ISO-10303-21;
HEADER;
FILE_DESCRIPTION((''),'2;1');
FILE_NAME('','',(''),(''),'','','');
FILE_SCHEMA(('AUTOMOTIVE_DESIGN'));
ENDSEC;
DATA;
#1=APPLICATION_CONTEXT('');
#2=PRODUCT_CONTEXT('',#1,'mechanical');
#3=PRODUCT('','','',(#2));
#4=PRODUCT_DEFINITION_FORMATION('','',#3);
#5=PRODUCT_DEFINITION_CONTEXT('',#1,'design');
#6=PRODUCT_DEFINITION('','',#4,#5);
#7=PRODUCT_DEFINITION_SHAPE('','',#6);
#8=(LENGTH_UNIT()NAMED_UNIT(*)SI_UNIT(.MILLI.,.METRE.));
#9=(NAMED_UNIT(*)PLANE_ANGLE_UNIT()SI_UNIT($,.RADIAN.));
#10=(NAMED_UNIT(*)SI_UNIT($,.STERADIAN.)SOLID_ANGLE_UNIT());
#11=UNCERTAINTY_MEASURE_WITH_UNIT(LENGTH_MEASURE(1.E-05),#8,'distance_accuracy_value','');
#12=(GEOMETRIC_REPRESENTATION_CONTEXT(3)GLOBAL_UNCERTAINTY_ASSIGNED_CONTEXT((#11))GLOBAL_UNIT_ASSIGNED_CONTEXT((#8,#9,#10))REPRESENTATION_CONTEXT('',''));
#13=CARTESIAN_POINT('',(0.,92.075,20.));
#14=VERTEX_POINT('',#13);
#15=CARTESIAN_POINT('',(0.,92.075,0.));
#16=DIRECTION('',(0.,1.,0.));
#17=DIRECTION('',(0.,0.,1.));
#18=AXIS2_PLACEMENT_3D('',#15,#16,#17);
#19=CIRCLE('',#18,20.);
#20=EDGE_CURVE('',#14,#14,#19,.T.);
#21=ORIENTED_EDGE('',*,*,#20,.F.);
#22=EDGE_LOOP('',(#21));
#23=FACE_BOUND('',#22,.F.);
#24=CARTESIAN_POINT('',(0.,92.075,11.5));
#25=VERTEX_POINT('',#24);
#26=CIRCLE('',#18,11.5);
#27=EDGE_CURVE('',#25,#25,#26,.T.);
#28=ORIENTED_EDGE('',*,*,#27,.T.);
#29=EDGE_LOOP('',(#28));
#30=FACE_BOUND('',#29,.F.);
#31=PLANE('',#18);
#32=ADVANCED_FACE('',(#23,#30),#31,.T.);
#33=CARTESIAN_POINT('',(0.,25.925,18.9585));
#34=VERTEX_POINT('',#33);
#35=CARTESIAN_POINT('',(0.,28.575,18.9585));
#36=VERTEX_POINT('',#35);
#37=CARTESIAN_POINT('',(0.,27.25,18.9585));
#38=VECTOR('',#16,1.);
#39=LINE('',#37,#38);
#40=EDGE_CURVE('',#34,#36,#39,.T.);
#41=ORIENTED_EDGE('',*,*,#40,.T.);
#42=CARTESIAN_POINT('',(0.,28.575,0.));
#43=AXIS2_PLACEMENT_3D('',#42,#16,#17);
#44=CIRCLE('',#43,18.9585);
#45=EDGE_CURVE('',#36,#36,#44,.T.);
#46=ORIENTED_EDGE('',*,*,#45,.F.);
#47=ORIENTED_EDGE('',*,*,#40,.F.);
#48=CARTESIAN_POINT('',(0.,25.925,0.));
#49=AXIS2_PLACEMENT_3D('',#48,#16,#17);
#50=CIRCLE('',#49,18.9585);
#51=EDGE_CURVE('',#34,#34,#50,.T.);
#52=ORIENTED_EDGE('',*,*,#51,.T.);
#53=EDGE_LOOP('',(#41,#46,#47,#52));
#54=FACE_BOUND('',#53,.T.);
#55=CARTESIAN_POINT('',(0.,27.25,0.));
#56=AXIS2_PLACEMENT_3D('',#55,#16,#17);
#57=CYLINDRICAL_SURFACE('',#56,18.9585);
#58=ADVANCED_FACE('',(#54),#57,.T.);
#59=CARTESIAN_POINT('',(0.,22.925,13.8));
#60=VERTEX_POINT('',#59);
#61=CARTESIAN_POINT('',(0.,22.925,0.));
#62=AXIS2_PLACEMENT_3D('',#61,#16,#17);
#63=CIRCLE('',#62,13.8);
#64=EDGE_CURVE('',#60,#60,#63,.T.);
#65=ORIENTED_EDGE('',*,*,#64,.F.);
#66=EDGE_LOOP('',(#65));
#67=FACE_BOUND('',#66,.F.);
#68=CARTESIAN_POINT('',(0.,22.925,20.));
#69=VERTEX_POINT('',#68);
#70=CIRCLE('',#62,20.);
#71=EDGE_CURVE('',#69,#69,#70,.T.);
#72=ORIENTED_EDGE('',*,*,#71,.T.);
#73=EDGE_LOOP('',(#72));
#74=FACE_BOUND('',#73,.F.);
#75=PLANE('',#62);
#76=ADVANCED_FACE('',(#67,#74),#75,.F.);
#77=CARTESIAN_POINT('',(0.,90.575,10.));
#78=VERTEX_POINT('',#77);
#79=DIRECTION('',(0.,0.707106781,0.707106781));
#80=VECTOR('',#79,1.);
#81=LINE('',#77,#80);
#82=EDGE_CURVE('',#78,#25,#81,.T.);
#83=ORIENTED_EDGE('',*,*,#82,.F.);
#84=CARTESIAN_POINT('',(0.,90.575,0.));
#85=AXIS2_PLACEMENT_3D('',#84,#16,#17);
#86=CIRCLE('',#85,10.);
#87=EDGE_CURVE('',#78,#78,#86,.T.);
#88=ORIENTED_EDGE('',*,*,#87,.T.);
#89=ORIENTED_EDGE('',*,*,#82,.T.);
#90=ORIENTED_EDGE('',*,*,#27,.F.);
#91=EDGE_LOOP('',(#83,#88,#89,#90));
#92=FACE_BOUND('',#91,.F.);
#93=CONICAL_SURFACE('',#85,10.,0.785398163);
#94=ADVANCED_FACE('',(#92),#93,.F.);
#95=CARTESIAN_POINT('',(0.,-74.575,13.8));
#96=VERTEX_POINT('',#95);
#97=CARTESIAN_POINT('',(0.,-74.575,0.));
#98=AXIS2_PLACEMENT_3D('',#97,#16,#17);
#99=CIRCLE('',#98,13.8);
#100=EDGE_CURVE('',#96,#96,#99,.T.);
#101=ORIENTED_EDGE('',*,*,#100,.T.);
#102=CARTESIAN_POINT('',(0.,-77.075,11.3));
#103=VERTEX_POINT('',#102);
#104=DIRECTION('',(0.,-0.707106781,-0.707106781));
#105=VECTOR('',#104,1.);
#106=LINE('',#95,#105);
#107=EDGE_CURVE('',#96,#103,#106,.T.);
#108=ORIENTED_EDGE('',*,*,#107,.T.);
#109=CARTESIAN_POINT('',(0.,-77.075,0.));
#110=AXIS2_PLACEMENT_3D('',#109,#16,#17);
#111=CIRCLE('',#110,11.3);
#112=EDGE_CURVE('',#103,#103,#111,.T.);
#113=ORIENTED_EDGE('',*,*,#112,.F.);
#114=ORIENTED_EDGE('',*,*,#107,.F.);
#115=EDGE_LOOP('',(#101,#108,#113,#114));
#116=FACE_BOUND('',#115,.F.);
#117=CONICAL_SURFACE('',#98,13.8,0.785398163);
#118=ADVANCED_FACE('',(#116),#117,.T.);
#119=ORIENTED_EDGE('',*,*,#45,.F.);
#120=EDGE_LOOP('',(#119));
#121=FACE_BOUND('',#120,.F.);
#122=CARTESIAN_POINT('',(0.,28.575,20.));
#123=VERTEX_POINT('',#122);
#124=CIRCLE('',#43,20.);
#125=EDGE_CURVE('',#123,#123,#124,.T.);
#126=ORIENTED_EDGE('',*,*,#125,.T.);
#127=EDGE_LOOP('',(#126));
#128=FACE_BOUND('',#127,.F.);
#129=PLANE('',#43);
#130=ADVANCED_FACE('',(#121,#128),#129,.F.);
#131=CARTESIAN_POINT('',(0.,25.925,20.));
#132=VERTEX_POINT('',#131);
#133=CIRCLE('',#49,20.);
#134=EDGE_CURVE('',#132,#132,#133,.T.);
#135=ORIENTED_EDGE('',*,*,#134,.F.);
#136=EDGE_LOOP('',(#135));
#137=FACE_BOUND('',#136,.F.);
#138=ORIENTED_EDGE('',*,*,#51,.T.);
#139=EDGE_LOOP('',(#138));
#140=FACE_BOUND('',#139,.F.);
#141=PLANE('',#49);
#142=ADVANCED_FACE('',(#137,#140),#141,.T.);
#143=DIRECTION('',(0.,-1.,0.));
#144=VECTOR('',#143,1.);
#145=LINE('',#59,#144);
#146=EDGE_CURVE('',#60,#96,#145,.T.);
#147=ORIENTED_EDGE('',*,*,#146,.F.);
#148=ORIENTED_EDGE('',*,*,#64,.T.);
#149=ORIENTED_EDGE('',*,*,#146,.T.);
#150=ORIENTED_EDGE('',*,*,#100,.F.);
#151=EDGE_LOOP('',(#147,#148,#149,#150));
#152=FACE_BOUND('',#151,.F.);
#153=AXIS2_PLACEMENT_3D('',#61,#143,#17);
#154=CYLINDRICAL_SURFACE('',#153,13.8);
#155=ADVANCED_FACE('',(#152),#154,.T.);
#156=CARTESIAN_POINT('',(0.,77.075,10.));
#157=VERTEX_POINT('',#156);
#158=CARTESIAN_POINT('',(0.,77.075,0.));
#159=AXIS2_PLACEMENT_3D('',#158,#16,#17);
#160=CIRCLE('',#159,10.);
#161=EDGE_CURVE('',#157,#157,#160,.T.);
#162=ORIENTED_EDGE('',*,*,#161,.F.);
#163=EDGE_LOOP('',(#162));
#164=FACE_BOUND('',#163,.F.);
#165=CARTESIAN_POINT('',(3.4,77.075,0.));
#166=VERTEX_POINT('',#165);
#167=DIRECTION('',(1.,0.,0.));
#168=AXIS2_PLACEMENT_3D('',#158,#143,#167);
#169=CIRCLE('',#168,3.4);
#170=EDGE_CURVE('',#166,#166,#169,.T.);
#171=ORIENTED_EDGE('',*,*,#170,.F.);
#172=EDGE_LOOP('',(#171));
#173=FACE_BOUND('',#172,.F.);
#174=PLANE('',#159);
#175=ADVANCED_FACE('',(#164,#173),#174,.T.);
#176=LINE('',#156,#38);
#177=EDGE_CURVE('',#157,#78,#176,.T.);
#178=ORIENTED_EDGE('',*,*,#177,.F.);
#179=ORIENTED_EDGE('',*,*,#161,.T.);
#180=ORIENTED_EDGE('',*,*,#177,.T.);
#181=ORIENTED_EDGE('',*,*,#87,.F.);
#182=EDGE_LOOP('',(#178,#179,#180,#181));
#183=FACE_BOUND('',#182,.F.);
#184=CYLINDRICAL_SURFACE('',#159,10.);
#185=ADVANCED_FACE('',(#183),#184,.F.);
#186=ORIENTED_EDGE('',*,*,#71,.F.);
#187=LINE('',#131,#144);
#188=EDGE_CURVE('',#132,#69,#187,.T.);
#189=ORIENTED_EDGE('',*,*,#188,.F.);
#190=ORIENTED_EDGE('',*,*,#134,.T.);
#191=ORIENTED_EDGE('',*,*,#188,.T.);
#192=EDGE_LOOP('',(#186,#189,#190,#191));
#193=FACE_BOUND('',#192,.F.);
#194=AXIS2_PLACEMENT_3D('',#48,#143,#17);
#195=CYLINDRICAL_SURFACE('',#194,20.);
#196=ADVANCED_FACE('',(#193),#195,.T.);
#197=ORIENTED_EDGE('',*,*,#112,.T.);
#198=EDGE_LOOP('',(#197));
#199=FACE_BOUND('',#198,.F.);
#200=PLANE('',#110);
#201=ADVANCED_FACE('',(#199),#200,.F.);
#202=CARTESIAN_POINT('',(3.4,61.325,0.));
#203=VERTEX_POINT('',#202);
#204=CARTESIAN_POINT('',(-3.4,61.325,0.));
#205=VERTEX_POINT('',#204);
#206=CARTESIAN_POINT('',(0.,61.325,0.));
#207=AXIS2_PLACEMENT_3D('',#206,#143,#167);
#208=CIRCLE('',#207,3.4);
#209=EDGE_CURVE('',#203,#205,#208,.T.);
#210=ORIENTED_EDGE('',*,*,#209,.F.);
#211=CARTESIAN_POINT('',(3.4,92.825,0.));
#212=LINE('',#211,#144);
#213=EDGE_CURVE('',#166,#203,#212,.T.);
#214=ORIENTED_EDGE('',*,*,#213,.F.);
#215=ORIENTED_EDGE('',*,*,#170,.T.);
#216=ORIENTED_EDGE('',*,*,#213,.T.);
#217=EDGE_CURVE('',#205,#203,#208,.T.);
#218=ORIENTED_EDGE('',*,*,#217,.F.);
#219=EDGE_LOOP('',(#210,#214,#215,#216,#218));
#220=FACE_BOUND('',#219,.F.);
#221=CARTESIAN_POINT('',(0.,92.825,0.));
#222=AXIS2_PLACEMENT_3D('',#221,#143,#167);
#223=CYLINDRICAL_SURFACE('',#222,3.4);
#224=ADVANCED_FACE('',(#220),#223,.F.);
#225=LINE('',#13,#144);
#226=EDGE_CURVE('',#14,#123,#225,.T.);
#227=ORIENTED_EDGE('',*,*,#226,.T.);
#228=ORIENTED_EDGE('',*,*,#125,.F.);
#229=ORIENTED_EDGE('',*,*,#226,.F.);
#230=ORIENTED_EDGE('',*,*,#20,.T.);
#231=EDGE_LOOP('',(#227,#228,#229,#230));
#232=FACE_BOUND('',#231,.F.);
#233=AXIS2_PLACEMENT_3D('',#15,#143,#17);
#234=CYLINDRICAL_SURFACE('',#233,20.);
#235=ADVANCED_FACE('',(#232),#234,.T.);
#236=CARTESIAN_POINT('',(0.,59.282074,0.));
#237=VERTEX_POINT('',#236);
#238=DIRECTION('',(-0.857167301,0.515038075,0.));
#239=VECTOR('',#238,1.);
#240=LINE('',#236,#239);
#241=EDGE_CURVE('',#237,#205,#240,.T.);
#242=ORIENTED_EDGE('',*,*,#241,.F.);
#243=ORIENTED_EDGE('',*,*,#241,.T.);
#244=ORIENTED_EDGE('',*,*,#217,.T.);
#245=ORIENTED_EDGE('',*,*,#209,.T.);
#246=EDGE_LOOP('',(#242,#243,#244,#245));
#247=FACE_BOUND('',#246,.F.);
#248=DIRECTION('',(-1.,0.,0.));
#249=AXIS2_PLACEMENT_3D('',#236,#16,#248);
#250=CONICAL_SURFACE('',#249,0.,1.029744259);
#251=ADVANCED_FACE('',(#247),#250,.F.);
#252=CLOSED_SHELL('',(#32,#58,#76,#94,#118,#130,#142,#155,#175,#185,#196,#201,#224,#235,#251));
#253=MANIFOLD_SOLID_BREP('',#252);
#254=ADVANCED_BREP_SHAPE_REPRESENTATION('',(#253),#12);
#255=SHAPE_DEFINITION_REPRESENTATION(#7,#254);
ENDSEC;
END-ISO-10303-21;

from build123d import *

# Parameters (mm, degrees)
F0_W     = 2.65
F0_H     = 18.9585
F2_SIZE2 = 1.5
F2_SIZE  = 1.5
F4_D     = 6.8
F4_DEPTH = 15.75
F4_TIP   = 2.0429261047
F5_SIZE2 = 2.5
F5_SIZE  = 2.5


with BuildPart() as f1:
    # F0 (on Right) → F1 (revolve)
    with BuildSketch(Plane.YZ):
        Polygon((-77.075, 13.8), (-77.075, 0), (25.925, 0), (25.925, 18.9585), (25.925, 20), (22.925, 20), (22.925, 13.8), align=None)
        with Locations((27.25, 9.47925)):
            Rectangle(F0_W, F0_H)
        Polygon((28.575, 18.9585), (28.575, 0), (77.075, 0), (77.075, 10), (92.075, 10), (92.075, 20), (28.575, 20), align=None)
    revolve(axis=Axis((0, 0, 0), (0, 1, 0)))

    # F2
    f2_edges = [f1.edges().sort_by_distance(p)[0] for p in [
        (0, 92.075, -10),
    ]]
    chamfer(f2_edges, length=F2_SIZE, length2=F2_SIZE2)

    # F4
    with Locations(Plane(origin=(0, 77.075, 0), x_dir=(-1, 0, 0), z_dir=(0, 1, 0))):
        with Locations((0, 0)):
            Hole(F4_D / 2, depth=F4_DEPTH)
            with Locations((0, 0, -(F4_DEPTH + F4_TIP / 2))):  # 118° drill point
                Cone(0, F4_D / 2, F4_TIP, mode=Mode.SUBTRACT)

    # F5
    f5_edges = [f1.edges().sort_by_distance(p)[0] for p in [
        (0, -77.075, -13.8),
    ]]
    chamfer(f5_edges, length=F5_SIZE, length2=F5_SIZE2)


solid = f1.part
